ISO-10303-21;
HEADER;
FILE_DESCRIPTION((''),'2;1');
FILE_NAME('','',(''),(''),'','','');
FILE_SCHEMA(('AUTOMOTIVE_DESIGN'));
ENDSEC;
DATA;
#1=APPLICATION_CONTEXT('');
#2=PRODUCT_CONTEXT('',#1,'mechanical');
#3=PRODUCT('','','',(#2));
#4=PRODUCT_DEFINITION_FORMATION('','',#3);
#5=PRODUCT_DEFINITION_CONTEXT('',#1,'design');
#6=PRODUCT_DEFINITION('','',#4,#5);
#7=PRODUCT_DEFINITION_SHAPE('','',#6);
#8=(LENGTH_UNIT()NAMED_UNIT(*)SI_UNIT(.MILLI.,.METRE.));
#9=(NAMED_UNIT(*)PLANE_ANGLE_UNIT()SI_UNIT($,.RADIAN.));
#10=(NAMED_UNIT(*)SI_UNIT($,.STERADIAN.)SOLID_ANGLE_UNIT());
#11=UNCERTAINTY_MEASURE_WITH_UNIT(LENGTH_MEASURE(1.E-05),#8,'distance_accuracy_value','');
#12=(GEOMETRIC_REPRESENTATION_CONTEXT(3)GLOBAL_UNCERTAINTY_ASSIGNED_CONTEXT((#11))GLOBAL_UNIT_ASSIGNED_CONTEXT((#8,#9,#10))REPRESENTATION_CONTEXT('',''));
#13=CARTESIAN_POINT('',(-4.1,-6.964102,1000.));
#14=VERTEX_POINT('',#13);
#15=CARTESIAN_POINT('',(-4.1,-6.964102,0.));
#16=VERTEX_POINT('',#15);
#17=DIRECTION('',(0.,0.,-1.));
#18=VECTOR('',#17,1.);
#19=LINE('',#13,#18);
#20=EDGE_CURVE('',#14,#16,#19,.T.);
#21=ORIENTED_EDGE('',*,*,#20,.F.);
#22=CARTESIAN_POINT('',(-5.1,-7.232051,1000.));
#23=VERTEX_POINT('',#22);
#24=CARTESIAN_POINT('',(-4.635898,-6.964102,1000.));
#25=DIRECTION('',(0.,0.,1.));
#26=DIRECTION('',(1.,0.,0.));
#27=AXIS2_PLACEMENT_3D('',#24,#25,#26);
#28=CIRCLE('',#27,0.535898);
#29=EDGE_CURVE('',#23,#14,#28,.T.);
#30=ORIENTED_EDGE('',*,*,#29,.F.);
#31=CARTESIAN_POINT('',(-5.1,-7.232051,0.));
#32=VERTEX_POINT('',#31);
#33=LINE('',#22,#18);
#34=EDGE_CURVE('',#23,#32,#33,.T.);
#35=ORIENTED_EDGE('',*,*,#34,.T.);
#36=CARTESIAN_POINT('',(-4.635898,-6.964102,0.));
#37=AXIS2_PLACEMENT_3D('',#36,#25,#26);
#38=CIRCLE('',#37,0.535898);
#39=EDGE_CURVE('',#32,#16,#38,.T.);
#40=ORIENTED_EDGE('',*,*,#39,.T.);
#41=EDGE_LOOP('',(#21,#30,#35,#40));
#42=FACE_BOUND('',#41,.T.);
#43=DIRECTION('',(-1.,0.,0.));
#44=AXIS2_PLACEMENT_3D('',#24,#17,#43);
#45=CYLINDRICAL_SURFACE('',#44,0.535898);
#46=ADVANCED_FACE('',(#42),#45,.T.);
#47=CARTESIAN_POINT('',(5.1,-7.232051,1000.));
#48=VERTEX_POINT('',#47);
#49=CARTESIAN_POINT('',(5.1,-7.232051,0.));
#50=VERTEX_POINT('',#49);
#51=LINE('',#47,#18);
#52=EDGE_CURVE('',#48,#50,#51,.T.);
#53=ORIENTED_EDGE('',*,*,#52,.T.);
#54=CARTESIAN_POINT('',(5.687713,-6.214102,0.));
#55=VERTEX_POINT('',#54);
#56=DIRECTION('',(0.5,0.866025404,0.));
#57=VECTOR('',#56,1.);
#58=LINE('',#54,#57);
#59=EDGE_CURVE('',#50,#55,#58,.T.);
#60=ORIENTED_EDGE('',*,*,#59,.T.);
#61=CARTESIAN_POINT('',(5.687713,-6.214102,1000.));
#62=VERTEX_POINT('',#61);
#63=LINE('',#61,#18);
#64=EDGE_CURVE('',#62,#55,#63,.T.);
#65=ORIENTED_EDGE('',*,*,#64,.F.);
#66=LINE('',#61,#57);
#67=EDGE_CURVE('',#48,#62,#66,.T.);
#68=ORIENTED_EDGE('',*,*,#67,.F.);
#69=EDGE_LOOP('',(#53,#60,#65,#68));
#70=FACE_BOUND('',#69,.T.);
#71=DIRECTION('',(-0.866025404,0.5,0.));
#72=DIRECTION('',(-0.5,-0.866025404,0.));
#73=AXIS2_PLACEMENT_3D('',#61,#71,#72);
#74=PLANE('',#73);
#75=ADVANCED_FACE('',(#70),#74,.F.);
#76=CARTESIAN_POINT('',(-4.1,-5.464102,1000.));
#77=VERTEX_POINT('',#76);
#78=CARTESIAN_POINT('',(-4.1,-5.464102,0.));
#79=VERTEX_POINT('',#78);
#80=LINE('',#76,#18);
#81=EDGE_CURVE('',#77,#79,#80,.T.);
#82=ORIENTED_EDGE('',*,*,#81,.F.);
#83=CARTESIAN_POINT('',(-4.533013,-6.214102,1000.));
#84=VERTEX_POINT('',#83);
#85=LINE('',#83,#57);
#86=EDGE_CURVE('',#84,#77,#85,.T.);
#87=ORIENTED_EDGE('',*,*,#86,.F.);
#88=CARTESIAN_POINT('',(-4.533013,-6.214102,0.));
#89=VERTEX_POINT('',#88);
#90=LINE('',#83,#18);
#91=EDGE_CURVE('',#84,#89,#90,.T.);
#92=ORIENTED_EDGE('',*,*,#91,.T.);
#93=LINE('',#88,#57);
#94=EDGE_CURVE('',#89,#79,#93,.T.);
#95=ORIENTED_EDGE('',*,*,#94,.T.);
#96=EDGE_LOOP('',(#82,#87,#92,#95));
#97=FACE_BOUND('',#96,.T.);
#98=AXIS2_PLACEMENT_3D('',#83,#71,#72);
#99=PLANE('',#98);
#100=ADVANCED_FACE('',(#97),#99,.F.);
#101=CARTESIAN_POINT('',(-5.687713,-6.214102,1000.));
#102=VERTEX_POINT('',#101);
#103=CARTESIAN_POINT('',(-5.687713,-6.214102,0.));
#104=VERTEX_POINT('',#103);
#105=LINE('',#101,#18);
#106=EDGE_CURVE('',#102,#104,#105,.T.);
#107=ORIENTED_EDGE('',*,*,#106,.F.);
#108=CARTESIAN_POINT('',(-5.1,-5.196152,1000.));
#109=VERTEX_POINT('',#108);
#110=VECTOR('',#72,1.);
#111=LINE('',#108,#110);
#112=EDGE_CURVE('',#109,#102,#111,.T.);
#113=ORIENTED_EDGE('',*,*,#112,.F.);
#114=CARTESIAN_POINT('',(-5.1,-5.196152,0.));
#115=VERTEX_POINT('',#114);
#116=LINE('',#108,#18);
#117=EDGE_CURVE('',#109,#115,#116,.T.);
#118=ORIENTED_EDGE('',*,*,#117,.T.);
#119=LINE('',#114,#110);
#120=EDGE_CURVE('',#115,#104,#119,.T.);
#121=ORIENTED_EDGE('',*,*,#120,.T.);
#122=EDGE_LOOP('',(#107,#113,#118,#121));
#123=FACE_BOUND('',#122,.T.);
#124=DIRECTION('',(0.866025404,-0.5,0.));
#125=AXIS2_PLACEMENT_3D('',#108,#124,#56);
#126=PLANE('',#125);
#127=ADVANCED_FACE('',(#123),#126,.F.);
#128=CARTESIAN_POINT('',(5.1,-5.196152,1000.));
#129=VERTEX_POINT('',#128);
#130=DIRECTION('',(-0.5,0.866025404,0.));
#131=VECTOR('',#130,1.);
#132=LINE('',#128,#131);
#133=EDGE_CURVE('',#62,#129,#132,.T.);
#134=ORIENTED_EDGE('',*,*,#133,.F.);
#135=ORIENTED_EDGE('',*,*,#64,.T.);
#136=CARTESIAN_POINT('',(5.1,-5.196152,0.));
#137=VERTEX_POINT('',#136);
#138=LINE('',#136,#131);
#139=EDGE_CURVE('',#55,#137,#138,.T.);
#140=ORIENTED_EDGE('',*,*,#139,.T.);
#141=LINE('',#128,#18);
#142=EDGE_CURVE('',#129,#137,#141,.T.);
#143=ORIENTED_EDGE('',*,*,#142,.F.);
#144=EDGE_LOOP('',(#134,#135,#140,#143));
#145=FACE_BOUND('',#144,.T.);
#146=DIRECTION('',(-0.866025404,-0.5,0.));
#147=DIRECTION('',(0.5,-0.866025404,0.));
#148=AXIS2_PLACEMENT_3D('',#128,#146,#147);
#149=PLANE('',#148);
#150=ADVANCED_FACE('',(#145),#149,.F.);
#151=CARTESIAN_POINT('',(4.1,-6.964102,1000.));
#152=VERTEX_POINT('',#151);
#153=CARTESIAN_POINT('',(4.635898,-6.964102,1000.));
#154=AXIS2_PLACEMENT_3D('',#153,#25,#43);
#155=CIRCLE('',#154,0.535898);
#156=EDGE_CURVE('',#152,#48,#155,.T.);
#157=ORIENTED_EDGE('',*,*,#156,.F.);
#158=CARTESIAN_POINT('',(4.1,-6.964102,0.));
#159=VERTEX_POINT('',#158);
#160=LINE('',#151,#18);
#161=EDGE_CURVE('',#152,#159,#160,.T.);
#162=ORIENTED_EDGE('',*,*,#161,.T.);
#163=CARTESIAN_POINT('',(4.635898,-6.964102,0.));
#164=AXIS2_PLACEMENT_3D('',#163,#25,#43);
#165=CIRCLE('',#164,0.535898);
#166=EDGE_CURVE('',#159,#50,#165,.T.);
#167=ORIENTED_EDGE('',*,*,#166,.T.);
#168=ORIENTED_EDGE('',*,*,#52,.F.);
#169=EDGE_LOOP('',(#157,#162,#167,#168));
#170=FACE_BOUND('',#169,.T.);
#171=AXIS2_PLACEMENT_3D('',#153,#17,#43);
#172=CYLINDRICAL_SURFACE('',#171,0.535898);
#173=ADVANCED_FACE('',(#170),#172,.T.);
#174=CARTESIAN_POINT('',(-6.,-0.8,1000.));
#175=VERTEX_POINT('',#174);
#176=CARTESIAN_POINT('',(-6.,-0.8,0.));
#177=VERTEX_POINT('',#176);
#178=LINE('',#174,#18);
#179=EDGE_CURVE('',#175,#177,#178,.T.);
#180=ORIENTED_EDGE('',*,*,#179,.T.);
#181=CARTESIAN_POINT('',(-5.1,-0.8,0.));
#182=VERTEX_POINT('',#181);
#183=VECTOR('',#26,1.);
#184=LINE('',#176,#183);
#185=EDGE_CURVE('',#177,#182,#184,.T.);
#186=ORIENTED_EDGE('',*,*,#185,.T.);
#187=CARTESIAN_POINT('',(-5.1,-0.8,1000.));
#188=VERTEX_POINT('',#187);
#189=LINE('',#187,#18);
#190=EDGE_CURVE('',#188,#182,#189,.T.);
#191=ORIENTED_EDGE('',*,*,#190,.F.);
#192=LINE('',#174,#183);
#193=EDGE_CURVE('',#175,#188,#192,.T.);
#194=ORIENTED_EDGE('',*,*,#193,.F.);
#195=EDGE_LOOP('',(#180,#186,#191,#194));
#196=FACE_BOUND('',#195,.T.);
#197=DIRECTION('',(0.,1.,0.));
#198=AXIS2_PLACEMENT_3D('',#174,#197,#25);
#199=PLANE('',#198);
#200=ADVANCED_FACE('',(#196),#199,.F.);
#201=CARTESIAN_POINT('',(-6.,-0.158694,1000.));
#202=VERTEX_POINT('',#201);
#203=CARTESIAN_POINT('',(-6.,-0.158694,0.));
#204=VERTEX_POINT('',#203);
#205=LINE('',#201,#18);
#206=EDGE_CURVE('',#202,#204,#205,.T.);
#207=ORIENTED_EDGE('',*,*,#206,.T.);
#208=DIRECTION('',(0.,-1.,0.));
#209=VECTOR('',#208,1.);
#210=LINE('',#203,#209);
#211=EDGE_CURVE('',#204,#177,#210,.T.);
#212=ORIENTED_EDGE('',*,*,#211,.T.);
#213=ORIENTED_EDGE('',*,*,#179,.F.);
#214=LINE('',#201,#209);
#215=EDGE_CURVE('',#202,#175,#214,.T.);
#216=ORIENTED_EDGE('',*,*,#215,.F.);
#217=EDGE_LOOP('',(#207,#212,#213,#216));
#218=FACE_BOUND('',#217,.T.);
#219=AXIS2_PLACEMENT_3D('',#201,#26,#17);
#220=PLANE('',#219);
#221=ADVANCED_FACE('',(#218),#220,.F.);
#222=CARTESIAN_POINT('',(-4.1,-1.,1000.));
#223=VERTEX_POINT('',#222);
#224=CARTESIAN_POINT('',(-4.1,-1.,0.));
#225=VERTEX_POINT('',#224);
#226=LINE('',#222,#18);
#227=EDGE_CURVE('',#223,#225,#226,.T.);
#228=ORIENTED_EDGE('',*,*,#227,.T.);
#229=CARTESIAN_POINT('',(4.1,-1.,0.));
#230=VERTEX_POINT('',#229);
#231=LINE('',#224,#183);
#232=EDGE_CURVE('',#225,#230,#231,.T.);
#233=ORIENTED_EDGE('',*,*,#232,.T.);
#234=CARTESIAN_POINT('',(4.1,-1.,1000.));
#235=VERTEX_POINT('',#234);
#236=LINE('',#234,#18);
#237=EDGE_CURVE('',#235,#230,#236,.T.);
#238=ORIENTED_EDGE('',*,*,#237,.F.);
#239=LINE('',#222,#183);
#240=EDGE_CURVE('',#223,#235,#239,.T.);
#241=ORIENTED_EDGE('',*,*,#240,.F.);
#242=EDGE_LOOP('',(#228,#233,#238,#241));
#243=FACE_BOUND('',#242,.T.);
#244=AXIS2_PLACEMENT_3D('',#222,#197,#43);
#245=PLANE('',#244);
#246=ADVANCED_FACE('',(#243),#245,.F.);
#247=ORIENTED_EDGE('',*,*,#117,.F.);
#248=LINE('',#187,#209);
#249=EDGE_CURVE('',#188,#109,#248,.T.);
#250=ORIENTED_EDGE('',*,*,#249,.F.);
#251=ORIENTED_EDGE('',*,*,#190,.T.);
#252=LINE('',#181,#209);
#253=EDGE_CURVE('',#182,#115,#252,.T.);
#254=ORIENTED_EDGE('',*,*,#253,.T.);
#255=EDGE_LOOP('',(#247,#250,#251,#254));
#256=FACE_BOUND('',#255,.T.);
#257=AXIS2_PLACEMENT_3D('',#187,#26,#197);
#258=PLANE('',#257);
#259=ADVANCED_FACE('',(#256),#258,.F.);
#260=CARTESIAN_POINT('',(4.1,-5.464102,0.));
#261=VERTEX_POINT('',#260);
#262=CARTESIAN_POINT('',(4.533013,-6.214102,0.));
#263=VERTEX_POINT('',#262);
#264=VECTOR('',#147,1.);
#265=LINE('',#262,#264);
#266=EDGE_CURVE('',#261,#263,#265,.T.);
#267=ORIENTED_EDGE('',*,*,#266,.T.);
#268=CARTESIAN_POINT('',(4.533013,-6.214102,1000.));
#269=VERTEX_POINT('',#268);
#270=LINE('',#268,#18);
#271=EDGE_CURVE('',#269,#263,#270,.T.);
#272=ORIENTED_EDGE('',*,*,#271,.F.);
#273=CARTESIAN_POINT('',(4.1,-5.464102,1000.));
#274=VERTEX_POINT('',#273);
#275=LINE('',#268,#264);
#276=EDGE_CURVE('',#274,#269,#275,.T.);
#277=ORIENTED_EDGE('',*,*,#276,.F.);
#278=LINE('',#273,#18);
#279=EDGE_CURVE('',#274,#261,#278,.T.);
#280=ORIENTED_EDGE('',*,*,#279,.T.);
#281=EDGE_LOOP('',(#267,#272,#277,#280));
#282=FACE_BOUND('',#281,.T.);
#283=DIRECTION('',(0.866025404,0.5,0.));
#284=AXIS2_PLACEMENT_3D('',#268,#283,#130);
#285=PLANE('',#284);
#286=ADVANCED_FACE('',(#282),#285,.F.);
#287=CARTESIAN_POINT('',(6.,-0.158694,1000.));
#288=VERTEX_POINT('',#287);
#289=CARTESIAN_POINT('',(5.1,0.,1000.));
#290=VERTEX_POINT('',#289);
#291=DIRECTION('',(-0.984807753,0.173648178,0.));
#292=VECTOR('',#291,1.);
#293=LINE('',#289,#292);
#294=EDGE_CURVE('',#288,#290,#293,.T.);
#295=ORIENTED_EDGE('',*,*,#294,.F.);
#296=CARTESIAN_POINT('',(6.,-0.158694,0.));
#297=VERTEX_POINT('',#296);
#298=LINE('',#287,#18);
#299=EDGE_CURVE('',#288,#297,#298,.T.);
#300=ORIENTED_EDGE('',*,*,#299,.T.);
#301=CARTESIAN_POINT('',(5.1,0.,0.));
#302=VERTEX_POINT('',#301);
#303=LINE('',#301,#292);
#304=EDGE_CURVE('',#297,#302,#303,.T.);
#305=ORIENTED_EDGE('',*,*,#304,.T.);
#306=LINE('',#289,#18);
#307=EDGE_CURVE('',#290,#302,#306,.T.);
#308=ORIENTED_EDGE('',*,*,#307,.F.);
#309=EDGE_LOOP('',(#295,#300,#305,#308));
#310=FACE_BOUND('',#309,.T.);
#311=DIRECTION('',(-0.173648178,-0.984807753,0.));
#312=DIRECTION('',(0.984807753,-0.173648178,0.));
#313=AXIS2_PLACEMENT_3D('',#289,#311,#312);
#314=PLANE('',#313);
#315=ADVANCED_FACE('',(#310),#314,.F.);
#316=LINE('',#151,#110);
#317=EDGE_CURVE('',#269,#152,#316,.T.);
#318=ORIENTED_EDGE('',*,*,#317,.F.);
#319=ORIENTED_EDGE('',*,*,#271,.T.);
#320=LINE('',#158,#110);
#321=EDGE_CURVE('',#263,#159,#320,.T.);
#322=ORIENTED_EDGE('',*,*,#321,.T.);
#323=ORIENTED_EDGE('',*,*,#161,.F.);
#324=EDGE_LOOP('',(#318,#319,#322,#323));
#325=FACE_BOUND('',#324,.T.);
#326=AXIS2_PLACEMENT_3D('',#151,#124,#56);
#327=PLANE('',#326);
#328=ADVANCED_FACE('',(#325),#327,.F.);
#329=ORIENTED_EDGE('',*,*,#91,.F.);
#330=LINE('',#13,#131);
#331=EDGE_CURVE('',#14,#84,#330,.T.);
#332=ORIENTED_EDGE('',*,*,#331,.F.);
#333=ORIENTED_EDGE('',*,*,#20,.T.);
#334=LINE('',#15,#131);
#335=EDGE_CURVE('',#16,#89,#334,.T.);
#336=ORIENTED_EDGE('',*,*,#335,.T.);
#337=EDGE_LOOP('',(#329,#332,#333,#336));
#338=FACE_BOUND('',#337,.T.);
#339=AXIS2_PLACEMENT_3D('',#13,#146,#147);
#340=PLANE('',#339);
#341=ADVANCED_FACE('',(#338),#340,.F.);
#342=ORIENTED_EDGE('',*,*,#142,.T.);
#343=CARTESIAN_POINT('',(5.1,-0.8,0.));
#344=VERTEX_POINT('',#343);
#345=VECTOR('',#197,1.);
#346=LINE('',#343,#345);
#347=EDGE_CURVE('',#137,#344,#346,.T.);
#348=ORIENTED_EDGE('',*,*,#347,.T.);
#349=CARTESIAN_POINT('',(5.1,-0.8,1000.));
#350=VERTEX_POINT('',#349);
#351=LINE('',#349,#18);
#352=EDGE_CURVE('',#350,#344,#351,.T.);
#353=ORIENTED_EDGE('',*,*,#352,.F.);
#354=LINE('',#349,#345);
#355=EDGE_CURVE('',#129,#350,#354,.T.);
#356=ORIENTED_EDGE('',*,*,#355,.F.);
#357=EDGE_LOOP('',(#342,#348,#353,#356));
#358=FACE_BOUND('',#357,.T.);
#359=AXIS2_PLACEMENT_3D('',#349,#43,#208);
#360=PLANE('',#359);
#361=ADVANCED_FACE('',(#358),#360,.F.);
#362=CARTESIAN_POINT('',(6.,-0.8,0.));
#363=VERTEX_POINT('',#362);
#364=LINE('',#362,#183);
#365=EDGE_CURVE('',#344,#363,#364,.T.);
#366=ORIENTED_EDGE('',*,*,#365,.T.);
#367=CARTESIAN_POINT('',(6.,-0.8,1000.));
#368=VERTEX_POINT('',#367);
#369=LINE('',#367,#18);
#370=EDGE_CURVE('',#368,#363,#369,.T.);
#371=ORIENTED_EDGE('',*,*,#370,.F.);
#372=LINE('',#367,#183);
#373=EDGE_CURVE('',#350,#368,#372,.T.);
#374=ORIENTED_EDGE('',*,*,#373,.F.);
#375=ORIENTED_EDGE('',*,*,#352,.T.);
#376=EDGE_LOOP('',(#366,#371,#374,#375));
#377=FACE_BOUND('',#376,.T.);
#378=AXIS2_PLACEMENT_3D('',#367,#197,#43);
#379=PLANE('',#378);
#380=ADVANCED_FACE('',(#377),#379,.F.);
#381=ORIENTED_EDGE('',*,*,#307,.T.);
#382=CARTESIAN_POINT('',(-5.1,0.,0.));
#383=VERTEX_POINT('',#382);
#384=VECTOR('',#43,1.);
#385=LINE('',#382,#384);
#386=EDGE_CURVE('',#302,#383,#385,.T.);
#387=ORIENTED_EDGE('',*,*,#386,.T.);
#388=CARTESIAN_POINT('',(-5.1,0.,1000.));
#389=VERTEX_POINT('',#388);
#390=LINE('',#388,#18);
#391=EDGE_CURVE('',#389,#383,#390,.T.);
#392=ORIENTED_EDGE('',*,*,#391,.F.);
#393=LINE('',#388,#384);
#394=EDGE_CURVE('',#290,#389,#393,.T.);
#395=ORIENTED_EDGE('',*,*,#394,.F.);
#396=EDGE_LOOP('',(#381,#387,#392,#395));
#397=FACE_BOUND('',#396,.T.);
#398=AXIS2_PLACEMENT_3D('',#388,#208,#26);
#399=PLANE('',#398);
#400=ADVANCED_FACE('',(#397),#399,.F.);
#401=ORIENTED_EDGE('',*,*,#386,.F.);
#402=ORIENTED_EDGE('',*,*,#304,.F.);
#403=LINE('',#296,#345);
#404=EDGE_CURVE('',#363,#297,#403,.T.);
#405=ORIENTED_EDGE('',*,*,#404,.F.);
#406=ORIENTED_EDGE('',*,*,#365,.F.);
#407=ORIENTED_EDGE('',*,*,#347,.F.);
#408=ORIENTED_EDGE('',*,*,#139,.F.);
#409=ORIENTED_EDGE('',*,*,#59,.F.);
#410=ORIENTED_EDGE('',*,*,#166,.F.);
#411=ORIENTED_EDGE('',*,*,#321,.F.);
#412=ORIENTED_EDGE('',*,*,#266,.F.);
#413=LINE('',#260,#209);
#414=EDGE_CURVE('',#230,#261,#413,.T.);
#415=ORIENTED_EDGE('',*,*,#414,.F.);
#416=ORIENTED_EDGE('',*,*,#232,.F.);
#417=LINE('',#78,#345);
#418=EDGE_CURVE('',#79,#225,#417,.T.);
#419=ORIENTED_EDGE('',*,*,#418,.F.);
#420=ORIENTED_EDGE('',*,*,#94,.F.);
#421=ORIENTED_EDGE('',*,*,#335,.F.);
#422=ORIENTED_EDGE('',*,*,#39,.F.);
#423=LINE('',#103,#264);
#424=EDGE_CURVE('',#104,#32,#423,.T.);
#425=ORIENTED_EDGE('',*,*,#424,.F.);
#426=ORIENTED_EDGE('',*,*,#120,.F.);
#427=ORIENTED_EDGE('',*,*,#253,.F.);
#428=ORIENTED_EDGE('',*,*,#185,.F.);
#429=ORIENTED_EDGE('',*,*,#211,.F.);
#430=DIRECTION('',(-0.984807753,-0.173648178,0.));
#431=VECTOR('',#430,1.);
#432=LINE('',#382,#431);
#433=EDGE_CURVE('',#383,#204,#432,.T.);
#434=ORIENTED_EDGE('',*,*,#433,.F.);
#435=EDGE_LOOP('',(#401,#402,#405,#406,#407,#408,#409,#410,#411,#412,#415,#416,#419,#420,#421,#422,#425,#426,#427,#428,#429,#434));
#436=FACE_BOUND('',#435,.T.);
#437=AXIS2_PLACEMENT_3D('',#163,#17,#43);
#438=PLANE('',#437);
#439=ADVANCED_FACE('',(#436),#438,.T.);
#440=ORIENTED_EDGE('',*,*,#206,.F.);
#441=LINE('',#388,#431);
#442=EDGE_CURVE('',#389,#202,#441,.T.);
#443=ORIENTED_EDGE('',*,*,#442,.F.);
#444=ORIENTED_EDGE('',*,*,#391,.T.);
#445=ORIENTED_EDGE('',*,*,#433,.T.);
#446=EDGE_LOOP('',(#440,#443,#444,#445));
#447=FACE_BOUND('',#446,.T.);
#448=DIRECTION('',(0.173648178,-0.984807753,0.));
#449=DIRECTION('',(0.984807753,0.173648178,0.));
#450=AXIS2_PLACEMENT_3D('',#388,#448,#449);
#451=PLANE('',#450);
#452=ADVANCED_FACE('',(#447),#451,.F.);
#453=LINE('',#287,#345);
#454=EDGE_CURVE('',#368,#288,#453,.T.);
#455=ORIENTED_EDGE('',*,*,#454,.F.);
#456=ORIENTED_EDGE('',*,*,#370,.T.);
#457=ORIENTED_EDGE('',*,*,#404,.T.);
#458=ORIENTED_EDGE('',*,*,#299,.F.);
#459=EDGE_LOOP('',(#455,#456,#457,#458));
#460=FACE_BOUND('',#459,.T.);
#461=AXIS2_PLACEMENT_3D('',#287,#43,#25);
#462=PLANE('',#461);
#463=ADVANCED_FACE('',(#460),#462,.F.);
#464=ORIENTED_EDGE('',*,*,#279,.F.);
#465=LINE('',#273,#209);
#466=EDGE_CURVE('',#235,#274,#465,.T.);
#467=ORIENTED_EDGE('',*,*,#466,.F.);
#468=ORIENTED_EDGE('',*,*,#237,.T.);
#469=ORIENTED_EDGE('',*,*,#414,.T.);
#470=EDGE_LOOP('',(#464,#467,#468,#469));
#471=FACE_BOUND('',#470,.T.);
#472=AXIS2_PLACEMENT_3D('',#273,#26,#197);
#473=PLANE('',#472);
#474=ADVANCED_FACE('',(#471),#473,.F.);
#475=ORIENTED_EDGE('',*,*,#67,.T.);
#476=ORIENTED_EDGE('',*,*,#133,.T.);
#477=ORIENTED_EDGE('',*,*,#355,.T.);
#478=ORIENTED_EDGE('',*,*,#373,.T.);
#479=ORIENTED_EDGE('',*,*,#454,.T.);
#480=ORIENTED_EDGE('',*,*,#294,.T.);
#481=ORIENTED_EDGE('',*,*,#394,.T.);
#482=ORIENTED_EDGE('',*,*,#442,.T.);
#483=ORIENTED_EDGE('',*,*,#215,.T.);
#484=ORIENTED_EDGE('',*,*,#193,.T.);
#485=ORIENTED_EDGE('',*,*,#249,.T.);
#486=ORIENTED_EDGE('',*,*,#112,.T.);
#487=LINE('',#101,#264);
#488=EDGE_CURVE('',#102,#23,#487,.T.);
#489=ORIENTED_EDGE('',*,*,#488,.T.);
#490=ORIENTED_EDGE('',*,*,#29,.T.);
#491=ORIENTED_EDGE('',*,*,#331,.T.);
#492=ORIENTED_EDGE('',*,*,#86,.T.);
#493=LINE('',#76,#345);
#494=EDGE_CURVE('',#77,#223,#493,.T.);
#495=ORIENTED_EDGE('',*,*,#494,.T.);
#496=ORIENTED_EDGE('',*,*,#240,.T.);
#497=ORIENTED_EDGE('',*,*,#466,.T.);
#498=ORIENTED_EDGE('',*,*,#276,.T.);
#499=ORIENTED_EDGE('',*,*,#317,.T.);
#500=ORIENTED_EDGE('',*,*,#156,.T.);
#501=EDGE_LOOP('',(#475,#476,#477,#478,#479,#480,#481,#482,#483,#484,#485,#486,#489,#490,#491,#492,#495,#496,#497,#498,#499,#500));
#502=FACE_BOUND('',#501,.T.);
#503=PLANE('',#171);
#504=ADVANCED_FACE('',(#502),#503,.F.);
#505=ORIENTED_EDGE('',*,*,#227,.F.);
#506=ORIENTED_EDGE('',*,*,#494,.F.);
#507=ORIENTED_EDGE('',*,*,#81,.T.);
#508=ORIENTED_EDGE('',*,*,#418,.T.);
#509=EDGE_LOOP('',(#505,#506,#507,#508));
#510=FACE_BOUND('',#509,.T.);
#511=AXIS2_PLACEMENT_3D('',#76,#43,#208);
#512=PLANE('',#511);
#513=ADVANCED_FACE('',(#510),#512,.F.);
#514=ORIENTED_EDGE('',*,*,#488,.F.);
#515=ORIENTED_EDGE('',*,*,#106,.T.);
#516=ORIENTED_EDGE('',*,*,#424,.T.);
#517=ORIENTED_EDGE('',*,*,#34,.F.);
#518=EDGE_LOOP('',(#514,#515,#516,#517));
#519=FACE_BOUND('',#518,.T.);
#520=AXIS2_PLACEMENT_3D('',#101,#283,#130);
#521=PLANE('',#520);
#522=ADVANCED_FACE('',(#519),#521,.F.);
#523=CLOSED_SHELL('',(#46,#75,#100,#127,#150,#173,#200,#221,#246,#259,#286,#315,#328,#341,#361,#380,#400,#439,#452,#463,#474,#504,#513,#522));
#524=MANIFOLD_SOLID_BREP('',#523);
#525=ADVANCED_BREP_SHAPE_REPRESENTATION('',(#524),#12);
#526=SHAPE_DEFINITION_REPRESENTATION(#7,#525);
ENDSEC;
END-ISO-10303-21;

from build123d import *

# Parameters (mm, degrees)
EXTRUDE_1_DEPTH = 1000


with BuildPart() as part:
    # Эскиз1 → Бобышка-Вытянуть1 (new body)
    with BuildSketch(Plane.XY):
        with BuildLine():
            Line((-5.1, 0), (-6, -0.158694283))
            Line((-6, -0.158694283), (-6, -0.8))
            Line((-6, -0.8), (-5.1, -0.8))
            Line((-5.1, -0.8), (-5.1, -5.196152423))
            Line((-5.1, -5.196152423), (-5.68771324, -6.214101615))
            Line((-5.68771324, -6.214101615), (-5.1, -7.232050808))
            ThreePointArc((-5.1, -7.232050808), (-4.497197677, -7.481739705), (-4.1, -6.964101615))
            Line((-4.1, -6.964101615), (-4.533012702, -6.214101615))
            Line((-4.533012702, -6.214101615), (-4.1, -5.464101615))
            Line((-4.1, -5.464101615), (-4.1, -1))
            Line((-4.1, -1), (4.1, -1))
            Line((4.1, -1), (4.1, -5.464101615))
            Line((4.1, -5.464101615), (4.533012702, -6.214101615))
            Line((4.533012702, -6.214101615), (4.1, -6.964101615))
            ThreePointArc((4.1, -6.964101615), (4.497197677, -7.481739705), (5.1, -7.232050808))
            Line((5.1, -7.232050808), (5.68771324, -6.214101615))
            Line((5.68771324, -6.214101615), (5.1, -5.196152423))
            Line((5.1, -5.196152423), (5.1, -0.8))
            Line((5.1, -0.8), (6, -0.8))
            Line((6, -0.8), (6, -0.158694283))
            Line((6, -0.158694283), (5.1, 0))
            Line((5.1, 0), (-5.1, 0))
        make_face()
    extrude(amount=EXTRUDE_1_DEPTH)


solid = part.part
